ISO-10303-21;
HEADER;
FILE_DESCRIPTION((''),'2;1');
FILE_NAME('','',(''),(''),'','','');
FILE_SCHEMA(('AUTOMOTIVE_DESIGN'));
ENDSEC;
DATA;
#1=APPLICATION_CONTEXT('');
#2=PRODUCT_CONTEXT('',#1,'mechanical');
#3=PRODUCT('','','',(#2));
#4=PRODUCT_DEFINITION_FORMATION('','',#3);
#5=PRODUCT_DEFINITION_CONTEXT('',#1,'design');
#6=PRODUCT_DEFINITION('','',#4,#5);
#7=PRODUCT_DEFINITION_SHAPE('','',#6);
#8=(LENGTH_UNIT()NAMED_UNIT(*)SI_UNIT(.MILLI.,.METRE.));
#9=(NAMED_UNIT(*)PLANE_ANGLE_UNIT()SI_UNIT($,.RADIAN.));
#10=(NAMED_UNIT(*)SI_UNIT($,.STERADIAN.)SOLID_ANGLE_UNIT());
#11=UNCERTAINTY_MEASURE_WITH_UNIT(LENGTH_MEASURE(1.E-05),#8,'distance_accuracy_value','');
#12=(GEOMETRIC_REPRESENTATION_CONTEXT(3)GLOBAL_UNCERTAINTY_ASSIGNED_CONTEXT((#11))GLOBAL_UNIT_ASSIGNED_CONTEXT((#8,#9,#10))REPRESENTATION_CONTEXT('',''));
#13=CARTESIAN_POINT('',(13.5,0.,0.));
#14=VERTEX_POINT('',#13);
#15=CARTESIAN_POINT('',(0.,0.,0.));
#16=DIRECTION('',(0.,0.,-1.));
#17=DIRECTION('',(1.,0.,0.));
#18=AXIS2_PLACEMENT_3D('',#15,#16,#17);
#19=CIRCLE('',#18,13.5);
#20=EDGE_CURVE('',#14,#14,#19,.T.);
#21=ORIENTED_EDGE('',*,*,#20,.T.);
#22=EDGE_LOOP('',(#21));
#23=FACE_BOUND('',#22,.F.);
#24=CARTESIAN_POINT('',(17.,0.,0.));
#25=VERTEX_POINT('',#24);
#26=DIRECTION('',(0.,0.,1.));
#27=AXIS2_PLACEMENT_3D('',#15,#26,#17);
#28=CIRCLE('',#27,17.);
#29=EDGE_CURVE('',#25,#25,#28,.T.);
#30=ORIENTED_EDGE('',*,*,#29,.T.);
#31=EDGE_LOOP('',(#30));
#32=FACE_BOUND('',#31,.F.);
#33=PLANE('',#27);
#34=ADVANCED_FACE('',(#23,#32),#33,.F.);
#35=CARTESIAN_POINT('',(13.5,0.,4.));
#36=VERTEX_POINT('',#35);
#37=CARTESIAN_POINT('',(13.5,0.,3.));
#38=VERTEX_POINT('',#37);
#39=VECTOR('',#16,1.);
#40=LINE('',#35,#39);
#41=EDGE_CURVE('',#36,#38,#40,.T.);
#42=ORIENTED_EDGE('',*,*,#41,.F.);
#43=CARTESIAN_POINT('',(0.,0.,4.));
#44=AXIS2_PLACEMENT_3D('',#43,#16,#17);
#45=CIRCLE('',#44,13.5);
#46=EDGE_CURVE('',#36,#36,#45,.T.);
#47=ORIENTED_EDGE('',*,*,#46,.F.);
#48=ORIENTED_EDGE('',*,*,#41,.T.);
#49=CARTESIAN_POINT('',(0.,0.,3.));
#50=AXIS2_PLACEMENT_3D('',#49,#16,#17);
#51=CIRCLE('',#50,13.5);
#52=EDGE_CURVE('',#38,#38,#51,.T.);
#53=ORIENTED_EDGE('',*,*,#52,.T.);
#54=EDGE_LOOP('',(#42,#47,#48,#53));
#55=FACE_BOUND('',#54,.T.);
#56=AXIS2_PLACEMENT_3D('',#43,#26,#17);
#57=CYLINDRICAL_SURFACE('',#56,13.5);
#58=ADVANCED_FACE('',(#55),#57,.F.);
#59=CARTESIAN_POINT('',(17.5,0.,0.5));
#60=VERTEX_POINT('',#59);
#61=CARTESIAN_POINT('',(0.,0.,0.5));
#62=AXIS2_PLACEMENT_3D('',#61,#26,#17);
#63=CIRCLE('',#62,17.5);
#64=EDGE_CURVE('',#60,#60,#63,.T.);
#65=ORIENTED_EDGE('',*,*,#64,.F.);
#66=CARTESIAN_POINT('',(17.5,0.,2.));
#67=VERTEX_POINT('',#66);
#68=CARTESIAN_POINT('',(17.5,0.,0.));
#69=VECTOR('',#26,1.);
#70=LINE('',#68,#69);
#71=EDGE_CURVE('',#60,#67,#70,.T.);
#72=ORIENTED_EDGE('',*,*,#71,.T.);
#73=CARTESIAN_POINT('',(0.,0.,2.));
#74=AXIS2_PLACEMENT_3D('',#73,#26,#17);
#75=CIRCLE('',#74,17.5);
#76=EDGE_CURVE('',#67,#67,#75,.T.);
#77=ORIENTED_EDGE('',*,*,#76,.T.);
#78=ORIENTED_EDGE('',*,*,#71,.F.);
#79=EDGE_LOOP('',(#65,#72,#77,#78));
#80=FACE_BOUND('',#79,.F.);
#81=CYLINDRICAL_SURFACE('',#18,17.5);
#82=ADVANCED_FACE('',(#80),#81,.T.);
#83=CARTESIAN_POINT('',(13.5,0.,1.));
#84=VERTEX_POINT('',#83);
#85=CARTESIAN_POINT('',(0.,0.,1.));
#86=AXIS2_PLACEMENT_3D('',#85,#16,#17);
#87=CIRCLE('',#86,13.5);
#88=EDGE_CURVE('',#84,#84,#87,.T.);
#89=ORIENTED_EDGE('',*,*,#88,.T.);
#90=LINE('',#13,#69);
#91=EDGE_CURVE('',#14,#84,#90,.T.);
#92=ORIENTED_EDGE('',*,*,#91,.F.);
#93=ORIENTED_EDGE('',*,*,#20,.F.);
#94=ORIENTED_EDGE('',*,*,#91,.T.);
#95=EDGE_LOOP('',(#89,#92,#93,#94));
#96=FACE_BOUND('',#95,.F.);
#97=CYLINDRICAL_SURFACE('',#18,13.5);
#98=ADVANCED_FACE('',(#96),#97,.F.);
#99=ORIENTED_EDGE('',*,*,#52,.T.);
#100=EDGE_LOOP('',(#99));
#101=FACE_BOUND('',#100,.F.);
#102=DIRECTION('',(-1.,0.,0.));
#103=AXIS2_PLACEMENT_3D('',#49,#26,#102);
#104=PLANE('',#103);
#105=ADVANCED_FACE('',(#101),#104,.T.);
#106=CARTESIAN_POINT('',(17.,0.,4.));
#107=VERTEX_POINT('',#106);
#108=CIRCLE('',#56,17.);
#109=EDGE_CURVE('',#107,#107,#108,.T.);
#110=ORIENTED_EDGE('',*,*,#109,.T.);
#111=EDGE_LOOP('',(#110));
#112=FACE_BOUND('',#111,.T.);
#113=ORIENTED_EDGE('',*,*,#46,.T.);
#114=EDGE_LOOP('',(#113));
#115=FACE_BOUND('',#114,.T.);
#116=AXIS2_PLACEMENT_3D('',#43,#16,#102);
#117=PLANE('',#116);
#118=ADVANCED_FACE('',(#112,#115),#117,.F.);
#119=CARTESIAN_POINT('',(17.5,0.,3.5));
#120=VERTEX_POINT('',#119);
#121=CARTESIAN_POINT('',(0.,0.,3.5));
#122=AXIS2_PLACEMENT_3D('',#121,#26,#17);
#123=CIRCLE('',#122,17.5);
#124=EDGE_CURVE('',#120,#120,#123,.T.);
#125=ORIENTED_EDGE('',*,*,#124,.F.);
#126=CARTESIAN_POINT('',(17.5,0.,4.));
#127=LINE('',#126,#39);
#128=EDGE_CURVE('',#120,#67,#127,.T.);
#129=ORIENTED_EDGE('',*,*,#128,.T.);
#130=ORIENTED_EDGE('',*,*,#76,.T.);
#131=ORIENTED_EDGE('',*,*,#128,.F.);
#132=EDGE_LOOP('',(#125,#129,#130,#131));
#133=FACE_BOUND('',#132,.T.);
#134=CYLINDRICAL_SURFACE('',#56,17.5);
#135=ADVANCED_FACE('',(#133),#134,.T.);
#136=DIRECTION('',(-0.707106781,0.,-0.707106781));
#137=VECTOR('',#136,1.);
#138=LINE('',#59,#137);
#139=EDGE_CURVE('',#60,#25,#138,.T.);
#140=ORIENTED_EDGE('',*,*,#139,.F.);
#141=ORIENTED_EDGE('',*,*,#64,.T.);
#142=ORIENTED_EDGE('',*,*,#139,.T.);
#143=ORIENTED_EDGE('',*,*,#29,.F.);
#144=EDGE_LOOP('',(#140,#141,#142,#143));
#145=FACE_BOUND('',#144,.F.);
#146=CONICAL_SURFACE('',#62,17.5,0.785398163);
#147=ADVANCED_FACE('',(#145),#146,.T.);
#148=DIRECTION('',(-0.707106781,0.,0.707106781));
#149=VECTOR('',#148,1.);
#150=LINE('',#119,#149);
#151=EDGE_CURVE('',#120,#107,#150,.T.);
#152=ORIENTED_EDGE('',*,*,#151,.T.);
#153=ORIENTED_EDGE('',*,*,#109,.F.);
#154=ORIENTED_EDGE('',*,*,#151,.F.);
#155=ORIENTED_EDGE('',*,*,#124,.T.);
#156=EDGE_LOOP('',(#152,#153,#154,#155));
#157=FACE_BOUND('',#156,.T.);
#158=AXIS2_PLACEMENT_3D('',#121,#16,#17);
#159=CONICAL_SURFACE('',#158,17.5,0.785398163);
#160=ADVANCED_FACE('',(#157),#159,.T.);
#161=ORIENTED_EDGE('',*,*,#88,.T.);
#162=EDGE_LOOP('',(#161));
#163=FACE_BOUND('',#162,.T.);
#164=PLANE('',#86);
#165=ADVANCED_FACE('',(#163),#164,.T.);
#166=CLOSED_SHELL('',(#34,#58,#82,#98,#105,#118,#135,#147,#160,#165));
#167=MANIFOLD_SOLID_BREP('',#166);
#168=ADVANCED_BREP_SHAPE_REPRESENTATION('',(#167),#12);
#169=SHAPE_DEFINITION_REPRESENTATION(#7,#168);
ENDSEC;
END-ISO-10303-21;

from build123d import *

# Parameters (mm, degrees)
F0_R     = 17.5
F1_DEPTH = 2
F2_R     = 13.5
F3_DEPTH = 1
F5_SIZE  = 0.5


with BuildPart() as f1:
    # F0 (on Top) → F1 (new body)
    with BuildSketch(Plane.XY):
        Circle(F0_R)
    extrude(amount=F1_DEPTH)

    # F2 (on face) → F3 (cut)
    with BuildSketch(Plane(origin=(0, 0, 0), x_dir=(1, 0, 0), z_dir=(0, 0, -1))):
        Circle(F2_R)
    extrude(amount=-F3_DEPTH, mode=Mode.SUBTRACT)

    # F4: F1 across face


with BuildPart() as f1_1:
    add(f1.part)
    add(f1.part.mirror(Plane.XY.offset(2)))

    # F5
    f5_edges = [f1_1.edges().sort_by_distance(p)[0] for p in [
        (-17.5, 0, 0),
        (17.5, 0, 2),
        (-17.5, 0, 4),
    ]]
    chamfer(f5_edges, length=F5_SIZE)


solid = f1_1.part
